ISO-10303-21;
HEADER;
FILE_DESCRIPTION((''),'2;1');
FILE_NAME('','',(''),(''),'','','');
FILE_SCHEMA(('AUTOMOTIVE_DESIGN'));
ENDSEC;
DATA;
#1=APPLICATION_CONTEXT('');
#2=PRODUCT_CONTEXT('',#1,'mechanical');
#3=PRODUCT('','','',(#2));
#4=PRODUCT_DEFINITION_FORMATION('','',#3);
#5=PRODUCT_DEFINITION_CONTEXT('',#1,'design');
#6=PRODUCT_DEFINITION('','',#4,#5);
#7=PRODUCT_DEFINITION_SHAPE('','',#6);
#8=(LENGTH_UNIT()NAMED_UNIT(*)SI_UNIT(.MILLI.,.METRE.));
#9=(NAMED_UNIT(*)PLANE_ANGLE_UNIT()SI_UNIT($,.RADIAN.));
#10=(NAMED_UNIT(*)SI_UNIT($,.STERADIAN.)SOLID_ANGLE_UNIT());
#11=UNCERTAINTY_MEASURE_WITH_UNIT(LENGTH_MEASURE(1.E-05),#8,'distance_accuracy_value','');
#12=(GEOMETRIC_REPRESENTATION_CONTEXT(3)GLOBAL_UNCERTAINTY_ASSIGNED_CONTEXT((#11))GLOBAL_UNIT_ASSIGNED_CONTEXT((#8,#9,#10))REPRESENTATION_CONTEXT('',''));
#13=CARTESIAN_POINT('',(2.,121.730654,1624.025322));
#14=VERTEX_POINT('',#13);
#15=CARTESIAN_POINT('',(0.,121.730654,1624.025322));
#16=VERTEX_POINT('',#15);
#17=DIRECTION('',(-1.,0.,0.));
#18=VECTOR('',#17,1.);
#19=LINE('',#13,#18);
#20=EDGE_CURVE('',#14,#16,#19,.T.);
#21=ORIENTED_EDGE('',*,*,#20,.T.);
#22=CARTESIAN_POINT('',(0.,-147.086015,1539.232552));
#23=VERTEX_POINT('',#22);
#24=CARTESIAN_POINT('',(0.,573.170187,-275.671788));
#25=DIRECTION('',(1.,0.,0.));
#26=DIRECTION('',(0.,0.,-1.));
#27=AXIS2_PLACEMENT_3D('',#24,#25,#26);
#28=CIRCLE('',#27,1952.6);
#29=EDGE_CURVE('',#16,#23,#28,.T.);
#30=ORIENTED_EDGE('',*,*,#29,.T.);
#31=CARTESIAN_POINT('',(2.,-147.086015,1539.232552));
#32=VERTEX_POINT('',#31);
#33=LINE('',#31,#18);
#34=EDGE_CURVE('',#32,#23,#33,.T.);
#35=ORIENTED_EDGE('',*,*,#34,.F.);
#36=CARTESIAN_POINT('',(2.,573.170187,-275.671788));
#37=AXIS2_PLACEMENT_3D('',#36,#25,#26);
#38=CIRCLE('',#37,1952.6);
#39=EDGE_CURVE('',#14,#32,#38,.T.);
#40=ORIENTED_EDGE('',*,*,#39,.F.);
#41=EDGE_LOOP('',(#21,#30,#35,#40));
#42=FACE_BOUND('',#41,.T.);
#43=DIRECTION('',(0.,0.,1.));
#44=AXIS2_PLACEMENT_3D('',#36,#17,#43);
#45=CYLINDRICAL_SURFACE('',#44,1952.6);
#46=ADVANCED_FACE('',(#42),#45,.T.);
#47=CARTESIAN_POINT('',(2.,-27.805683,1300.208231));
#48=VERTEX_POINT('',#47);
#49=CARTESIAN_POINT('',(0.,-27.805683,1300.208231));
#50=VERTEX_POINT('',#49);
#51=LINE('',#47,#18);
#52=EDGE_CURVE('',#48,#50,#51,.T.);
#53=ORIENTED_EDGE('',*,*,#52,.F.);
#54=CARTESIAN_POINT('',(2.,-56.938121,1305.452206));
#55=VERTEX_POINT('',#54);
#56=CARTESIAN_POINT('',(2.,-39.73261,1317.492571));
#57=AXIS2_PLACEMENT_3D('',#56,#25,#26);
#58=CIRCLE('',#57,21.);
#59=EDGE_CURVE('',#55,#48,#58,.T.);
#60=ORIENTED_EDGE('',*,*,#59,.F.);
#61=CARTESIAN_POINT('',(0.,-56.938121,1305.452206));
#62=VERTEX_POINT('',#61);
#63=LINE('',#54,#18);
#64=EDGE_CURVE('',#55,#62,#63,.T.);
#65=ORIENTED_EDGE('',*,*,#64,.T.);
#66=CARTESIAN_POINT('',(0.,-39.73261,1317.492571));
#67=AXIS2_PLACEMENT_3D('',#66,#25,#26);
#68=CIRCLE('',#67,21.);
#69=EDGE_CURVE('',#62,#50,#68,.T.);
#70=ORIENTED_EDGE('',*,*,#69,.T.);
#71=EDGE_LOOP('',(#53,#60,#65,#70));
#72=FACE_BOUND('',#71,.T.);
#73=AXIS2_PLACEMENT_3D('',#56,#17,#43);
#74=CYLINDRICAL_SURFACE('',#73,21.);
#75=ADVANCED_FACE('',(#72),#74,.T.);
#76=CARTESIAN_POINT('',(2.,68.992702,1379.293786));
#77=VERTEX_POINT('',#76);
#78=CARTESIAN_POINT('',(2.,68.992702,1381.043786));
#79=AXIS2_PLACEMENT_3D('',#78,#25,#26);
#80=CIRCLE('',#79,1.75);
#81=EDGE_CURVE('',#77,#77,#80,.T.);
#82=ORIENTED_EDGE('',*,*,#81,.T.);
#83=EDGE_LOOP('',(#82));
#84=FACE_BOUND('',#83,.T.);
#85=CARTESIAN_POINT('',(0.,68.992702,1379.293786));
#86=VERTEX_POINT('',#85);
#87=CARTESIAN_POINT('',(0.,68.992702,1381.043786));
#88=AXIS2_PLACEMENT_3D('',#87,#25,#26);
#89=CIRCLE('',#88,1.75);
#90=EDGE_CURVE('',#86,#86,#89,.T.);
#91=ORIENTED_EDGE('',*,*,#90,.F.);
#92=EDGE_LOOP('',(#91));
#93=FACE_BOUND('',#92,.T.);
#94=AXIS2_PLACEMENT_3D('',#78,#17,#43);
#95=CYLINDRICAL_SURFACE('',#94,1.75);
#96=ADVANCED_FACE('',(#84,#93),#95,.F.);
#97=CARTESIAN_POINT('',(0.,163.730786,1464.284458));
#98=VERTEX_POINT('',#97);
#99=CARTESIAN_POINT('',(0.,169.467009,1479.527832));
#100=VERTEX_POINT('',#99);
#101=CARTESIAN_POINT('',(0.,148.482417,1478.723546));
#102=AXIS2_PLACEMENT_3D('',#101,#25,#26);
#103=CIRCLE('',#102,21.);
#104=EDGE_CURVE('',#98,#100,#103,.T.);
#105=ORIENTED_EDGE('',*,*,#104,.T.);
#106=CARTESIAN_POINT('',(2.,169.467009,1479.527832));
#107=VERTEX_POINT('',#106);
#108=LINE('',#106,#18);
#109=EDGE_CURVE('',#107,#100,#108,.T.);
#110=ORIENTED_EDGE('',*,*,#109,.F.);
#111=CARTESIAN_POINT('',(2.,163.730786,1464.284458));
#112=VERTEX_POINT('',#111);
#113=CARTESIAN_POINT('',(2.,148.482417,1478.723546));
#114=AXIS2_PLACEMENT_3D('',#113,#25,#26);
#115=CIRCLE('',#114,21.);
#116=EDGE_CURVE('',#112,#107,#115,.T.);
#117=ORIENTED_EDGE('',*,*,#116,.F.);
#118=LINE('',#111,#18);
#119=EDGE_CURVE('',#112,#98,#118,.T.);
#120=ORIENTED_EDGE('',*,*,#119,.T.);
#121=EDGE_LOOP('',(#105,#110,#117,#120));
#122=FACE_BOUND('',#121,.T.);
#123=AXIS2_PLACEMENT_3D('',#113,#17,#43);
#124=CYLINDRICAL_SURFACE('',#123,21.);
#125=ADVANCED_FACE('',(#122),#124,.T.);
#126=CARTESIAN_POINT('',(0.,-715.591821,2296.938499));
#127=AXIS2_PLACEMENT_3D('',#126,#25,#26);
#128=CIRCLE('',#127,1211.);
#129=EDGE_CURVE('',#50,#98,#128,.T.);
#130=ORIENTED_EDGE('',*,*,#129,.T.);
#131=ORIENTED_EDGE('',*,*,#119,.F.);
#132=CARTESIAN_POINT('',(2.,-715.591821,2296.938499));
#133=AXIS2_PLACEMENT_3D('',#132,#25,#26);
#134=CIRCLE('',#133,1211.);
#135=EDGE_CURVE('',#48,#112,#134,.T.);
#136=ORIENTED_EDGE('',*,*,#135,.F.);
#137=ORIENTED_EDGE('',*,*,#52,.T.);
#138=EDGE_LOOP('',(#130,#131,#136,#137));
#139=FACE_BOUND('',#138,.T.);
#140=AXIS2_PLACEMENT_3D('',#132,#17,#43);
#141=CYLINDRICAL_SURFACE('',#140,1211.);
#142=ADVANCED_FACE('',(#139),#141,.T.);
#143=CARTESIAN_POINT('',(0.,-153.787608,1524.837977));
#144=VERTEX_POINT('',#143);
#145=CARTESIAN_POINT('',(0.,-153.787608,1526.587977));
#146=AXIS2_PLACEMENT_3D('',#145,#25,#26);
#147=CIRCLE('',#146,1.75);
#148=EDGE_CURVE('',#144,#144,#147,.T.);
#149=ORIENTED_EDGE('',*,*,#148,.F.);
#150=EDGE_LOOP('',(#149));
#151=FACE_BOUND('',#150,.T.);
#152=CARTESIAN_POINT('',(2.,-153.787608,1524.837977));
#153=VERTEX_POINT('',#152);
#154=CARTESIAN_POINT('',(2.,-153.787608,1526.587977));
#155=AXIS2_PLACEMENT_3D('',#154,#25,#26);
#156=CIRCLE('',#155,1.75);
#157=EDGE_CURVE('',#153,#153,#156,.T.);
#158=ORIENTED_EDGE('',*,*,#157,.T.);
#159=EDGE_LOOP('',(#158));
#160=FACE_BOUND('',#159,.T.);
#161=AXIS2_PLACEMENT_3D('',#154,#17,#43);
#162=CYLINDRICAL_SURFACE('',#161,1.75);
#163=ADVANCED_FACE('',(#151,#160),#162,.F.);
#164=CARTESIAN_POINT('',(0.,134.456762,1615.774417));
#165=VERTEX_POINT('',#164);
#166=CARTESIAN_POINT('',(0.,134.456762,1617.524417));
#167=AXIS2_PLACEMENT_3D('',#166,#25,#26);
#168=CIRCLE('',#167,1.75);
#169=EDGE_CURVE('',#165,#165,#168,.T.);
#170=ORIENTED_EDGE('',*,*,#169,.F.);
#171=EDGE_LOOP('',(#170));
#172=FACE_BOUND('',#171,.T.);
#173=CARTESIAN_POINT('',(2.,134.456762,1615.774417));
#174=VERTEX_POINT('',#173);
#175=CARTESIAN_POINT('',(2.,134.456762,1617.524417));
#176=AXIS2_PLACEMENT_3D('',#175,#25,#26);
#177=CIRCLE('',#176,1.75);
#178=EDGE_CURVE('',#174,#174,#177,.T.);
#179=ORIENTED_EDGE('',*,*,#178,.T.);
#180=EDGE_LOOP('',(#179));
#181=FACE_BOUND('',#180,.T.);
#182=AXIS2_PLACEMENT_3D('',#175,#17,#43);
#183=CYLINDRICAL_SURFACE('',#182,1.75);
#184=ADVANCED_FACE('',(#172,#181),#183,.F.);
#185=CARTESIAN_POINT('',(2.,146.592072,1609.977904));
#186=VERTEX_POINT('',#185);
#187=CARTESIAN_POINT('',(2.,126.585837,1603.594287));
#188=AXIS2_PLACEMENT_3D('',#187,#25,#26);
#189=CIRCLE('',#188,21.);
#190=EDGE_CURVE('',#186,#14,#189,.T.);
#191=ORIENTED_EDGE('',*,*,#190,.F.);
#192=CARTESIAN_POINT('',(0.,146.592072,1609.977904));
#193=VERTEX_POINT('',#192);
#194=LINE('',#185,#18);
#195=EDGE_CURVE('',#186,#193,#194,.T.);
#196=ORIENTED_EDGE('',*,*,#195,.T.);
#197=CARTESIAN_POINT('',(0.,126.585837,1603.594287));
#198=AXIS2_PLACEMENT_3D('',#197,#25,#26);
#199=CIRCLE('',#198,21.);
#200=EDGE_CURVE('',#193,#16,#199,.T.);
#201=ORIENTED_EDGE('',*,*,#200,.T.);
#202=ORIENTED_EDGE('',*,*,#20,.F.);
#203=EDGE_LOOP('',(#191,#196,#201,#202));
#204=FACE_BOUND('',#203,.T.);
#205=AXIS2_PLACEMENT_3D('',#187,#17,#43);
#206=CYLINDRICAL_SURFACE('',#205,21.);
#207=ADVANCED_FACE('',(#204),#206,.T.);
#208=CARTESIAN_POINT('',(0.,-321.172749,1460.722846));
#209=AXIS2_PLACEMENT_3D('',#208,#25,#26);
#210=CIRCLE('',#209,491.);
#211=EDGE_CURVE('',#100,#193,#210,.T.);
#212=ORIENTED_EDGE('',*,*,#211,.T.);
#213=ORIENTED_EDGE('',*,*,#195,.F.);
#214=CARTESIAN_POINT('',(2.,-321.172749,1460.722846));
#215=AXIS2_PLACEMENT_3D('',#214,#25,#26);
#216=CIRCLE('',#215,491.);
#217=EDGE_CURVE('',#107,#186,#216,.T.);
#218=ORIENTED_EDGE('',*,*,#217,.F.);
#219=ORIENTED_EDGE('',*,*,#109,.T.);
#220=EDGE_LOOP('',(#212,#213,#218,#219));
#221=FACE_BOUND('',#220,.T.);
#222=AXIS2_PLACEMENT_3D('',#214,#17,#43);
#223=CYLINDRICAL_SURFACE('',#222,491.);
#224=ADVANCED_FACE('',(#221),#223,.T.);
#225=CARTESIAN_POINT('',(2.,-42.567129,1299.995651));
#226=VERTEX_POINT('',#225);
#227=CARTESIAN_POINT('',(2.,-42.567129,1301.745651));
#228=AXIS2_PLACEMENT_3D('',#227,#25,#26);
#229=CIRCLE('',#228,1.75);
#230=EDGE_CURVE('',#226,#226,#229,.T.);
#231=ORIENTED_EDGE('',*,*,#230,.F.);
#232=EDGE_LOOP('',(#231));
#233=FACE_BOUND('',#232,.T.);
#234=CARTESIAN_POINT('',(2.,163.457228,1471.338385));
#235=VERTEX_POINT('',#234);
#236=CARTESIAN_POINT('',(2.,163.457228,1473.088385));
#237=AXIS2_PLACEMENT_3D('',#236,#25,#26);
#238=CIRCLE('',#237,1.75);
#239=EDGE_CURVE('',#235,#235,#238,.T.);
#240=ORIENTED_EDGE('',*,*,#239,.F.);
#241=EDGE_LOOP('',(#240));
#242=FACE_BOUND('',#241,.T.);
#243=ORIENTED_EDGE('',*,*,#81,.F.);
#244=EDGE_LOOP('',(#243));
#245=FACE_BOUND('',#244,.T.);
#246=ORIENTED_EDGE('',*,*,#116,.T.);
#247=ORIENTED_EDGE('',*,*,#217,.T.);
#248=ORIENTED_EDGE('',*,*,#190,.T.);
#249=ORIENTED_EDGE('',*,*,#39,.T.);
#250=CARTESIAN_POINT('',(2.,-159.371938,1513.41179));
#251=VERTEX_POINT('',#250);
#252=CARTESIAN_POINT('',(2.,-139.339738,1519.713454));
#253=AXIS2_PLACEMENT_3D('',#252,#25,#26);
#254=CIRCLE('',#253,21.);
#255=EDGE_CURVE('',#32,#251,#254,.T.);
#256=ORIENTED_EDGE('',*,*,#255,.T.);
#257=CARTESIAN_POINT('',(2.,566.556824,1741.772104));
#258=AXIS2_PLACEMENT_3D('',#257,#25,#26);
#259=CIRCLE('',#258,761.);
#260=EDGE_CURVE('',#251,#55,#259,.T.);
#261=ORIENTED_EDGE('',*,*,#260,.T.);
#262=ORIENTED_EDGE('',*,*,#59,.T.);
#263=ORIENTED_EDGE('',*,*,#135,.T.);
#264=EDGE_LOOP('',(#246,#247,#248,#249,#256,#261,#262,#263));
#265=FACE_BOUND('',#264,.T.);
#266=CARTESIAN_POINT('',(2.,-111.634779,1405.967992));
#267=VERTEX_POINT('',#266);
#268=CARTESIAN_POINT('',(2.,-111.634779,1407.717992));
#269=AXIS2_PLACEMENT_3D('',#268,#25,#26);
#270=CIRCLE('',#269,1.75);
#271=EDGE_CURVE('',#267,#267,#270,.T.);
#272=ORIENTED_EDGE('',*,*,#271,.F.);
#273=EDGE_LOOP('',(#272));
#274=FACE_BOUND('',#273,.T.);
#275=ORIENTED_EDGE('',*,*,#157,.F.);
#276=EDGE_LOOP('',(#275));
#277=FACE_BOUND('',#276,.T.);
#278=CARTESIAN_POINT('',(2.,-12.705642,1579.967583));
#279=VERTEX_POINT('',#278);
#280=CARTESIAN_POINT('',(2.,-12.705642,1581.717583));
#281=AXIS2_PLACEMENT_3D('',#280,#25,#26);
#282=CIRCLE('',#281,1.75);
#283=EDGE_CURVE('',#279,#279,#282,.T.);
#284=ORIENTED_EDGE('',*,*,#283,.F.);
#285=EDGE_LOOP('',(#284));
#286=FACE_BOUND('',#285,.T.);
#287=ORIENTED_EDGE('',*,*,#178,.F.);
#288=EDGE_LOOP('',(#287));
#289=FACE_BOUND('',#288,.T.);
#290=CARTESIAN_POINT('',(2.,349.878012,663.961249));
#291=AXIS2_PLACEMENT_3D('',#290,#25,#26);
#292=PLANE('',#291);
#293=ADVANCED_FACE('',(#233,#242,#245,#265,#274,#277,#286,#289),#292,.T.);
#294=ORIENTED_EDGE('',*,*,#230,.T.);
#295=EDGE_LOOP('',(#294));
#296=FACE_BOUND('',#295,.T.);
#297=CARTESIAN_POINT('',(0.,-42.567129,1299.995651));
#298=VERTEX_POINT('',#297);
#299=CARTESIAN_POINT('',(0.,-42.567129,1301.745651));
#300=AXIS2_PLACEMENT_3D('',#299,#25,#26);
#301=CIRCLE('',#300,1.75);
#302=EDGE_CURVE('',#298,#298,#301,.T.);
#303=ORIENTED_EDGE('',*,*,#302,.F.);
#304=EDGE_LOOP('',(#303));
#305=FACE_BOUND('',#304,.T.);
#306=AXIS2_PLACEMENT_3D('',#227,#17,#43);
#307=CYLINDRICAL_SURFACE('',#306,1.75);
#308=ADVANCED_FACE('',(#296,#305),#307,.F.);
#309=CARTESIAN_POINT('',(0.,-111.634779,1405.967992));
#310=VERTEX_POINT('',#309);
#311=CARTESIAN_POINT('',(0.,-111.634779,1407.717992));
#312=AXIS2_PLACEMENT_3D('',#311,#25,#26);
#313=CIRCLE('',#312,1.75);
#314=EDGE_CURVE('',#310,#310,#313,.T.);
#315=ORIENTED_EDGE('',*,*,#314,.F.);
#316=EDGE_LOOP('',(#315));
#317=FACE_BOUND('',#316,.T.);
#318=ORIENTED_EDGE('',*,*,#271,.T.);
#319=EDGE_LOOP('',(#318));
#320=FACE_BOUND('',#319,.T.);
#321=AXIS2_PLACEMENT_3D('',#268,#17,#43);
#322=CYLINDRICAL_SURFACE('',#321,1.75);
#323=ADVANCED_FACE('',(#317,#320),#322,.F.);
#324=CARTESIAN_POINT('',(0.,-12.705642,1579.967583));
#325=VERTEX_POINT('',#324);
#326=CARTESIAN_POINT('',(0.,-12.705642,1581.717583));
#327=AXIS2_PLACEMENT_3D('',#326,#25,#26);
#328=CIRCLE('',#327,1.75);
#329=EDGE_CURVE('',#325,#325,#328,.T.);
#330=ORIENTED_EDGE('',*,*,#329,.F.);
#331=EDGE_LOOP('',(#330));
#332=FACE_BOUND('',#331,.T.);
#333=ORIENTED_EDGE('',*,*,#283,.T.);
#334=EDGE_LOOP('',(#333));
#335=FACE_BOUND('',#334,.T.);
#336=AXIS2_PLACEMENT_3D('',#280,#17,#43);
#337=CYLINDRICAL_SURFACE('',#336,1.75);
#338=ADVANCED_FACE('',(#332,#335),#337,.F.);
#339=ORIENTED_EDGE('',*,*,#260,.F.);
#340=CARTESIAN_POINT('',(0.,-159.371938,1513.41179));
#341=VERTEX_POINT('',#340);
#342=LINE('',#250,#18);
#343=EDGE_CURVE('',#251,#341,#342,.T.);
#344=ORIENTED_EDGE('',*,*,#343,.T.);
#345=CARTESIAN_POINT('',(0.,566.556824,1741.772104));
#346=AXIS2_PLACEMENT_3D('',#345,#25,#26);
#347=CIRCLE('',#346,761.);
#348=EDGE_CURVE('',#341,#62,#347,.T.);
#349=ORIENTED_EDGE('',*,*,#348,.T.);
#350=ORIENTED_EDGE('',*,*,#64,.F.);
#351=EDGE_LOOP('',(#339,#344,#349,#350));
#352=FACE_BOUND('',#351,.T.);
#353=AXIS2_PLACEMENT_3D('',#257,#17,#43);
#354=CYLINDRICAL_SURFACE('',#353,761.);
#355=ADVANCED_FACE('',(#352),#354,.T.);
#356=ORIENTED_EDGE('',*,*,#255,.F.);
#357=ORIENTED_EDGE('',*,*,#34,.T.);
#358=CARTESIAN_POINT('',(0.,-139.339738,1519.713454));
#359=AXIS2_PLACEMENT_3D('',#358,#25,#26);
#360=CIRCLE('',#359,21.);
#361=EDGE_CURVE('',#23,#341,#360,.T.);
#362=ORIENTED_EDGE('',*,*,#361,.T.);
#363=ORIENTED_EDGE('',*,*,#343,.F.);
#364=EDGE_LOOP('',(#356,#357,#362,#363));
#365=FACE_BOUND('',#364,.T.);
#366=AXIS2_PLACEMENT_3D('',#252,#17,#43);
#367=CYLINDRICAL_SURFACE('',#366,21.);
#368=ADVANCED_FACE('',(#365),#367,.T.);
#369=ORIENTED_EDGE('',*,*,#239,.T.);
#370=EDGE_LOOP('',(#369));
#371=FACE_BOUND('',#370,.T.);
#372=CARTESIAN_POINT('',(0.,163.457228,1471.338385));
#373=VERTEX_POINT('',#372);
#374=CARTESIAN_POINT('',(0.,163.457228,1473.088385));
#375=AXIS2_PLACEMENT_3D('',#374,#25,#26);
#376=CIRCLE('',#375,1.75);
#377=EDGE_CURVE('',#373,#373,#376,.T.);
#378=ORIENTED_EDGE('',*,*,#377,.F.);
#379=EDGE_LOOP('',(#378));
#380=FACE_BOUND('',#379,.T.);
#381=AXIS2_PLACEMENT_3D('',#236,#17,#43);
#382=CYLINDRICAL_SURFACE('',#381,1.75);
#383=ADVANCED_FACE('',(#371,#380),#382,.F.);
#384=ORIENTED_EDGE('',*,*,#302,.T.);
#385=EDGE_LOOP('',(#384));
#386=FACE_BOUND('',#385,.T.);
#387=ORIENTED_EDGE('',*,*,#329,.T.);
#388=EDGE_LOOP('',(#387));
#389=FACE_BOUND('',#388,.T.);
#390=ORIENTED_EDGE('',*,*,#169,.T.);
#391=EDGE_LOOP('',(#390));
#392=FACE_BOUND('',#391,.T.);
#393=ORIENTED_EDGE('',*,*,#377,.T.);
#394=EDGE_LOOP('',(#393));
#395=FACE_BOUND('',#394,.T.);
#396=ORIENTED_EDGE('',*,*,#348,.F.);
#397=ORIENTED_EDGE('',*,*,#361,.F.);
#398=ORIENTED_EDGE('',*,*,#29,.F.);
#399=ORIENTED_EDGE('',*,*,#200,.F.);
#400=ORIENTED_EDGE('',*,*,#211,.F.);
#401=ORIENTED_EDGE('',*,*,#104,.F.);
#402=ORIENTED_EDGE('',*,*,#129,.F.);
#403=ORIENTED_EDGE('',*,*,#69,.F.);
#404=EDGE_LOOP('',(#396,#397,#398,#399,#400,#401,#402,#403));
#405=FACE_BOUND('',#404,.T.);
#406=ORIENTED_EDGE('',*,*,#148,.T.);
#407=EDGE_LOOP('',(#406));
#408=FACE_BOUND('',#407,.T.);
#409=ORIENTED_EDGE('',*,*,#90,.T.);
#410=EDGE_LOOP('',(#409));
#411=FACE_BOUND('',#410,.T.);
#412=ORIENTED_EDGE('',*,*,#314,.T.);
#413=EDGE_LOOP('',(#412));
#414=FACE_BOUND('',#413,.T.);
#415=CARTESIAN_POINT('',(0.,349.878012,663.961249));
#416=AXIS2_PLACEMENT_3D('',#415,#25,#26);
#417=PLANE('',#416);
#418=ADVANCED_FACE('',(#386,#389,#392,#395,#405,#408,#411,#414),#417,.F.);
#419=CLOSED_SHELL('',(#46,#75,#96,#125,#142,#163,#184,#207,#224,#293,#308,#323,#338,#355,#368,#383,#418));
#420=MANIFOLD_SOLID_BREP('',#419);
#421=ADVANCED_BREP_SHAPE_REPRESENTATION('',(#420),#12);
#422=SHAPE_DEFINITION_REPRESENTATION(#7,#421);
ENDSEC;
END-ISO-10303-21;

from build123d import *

# Parameters (mm, degrees)
CROQUIS2_R              = 1.75
SALIENTE_EXTRUIR1_DEPTH = 2


with BuildPart() as part:
    # Croquis2 → Saliente-Extruir1 (new body)
    with BuildSketch(Plane(origin=(0, 0, 0), x_dir=(0, 0, -1), z_dir=(1, 0, 0))):
        with BuildLine():
            ThreePointArc((-1624.025321873, 121.730654261), (-1586.485988342, -14.209738678), (-1539.232552396, -147.086014911))
            ThreePointArc((-1539.232552396, -147.086014911), (-1528.736264964, -158.30256709), (-1513.411789801, -159.371937759))
            ThreePointArc((-1513.411789801, -159.371937759), (-1405.508639065, -116.120173058), (-1305.452205903, -56.938121124))
            ThreePointArc((-1305.452205903, -56.938121124), (-1296.824738042, -43.452916514), (-1300.208231124, -27.805682905))
            ThreePointArc((-1300.208231124, -27.805682905), (-1377.246544078, 72.245539551), (-1464.284458168, 163.730785841))
            ThreePointArc((-1464.284458168, 163.730785841), (-1471.327397008, 168.136856279), (-1479.527832165, 169.467009446))
            ThreePointArc((-1479.527832165, 169.467009446), (-1545.52768268, 162.44811464), (-1609.97790425, 146.592071884))
            ThreePointArc((-1609.97790425, 146.592071884), (-1621.877582945, 136.916426614), (-1624.025321873, 121.730654261))
        make_face()
        with Locations((-1581.717582688, -12.705641768)):
            Circle(CROQUIS2_R, mode=Mode.SUBTRACT)
        with Locations((-1526.587976686, -153.787607791)):
            Circle(CROQUIS2_R, mode=Mode.SUBTRACT)
        with Locations((-1617.52441717, 134.456762464)):
            Circle(CROQUIS2_R, mode=Mode.SUBTRACT)
        with Locations((-1407.717991662, -111.634778861)):
            Circle(CROQUIS2_R, mode=Mode.SUBTRACT)
        with Locations((-1301.74565066, -42.567129287)):
            Circle(CROQUIS2_R, mode=Mode.SUBTRACT)
        with Locations((-1381.043785842, 68.992701562)):
            Circle(CROQUIS2_R, mode=Mode.SUBTRACT)
        with Locations((-1473.088384765, 163.457227863)):
            Circle(CROQUIS2_R, mode=Mode.SUBTRACT)
    extrude(amount=SALIENTE_EXTRUIR1_DEPTH)


solid = part.part
